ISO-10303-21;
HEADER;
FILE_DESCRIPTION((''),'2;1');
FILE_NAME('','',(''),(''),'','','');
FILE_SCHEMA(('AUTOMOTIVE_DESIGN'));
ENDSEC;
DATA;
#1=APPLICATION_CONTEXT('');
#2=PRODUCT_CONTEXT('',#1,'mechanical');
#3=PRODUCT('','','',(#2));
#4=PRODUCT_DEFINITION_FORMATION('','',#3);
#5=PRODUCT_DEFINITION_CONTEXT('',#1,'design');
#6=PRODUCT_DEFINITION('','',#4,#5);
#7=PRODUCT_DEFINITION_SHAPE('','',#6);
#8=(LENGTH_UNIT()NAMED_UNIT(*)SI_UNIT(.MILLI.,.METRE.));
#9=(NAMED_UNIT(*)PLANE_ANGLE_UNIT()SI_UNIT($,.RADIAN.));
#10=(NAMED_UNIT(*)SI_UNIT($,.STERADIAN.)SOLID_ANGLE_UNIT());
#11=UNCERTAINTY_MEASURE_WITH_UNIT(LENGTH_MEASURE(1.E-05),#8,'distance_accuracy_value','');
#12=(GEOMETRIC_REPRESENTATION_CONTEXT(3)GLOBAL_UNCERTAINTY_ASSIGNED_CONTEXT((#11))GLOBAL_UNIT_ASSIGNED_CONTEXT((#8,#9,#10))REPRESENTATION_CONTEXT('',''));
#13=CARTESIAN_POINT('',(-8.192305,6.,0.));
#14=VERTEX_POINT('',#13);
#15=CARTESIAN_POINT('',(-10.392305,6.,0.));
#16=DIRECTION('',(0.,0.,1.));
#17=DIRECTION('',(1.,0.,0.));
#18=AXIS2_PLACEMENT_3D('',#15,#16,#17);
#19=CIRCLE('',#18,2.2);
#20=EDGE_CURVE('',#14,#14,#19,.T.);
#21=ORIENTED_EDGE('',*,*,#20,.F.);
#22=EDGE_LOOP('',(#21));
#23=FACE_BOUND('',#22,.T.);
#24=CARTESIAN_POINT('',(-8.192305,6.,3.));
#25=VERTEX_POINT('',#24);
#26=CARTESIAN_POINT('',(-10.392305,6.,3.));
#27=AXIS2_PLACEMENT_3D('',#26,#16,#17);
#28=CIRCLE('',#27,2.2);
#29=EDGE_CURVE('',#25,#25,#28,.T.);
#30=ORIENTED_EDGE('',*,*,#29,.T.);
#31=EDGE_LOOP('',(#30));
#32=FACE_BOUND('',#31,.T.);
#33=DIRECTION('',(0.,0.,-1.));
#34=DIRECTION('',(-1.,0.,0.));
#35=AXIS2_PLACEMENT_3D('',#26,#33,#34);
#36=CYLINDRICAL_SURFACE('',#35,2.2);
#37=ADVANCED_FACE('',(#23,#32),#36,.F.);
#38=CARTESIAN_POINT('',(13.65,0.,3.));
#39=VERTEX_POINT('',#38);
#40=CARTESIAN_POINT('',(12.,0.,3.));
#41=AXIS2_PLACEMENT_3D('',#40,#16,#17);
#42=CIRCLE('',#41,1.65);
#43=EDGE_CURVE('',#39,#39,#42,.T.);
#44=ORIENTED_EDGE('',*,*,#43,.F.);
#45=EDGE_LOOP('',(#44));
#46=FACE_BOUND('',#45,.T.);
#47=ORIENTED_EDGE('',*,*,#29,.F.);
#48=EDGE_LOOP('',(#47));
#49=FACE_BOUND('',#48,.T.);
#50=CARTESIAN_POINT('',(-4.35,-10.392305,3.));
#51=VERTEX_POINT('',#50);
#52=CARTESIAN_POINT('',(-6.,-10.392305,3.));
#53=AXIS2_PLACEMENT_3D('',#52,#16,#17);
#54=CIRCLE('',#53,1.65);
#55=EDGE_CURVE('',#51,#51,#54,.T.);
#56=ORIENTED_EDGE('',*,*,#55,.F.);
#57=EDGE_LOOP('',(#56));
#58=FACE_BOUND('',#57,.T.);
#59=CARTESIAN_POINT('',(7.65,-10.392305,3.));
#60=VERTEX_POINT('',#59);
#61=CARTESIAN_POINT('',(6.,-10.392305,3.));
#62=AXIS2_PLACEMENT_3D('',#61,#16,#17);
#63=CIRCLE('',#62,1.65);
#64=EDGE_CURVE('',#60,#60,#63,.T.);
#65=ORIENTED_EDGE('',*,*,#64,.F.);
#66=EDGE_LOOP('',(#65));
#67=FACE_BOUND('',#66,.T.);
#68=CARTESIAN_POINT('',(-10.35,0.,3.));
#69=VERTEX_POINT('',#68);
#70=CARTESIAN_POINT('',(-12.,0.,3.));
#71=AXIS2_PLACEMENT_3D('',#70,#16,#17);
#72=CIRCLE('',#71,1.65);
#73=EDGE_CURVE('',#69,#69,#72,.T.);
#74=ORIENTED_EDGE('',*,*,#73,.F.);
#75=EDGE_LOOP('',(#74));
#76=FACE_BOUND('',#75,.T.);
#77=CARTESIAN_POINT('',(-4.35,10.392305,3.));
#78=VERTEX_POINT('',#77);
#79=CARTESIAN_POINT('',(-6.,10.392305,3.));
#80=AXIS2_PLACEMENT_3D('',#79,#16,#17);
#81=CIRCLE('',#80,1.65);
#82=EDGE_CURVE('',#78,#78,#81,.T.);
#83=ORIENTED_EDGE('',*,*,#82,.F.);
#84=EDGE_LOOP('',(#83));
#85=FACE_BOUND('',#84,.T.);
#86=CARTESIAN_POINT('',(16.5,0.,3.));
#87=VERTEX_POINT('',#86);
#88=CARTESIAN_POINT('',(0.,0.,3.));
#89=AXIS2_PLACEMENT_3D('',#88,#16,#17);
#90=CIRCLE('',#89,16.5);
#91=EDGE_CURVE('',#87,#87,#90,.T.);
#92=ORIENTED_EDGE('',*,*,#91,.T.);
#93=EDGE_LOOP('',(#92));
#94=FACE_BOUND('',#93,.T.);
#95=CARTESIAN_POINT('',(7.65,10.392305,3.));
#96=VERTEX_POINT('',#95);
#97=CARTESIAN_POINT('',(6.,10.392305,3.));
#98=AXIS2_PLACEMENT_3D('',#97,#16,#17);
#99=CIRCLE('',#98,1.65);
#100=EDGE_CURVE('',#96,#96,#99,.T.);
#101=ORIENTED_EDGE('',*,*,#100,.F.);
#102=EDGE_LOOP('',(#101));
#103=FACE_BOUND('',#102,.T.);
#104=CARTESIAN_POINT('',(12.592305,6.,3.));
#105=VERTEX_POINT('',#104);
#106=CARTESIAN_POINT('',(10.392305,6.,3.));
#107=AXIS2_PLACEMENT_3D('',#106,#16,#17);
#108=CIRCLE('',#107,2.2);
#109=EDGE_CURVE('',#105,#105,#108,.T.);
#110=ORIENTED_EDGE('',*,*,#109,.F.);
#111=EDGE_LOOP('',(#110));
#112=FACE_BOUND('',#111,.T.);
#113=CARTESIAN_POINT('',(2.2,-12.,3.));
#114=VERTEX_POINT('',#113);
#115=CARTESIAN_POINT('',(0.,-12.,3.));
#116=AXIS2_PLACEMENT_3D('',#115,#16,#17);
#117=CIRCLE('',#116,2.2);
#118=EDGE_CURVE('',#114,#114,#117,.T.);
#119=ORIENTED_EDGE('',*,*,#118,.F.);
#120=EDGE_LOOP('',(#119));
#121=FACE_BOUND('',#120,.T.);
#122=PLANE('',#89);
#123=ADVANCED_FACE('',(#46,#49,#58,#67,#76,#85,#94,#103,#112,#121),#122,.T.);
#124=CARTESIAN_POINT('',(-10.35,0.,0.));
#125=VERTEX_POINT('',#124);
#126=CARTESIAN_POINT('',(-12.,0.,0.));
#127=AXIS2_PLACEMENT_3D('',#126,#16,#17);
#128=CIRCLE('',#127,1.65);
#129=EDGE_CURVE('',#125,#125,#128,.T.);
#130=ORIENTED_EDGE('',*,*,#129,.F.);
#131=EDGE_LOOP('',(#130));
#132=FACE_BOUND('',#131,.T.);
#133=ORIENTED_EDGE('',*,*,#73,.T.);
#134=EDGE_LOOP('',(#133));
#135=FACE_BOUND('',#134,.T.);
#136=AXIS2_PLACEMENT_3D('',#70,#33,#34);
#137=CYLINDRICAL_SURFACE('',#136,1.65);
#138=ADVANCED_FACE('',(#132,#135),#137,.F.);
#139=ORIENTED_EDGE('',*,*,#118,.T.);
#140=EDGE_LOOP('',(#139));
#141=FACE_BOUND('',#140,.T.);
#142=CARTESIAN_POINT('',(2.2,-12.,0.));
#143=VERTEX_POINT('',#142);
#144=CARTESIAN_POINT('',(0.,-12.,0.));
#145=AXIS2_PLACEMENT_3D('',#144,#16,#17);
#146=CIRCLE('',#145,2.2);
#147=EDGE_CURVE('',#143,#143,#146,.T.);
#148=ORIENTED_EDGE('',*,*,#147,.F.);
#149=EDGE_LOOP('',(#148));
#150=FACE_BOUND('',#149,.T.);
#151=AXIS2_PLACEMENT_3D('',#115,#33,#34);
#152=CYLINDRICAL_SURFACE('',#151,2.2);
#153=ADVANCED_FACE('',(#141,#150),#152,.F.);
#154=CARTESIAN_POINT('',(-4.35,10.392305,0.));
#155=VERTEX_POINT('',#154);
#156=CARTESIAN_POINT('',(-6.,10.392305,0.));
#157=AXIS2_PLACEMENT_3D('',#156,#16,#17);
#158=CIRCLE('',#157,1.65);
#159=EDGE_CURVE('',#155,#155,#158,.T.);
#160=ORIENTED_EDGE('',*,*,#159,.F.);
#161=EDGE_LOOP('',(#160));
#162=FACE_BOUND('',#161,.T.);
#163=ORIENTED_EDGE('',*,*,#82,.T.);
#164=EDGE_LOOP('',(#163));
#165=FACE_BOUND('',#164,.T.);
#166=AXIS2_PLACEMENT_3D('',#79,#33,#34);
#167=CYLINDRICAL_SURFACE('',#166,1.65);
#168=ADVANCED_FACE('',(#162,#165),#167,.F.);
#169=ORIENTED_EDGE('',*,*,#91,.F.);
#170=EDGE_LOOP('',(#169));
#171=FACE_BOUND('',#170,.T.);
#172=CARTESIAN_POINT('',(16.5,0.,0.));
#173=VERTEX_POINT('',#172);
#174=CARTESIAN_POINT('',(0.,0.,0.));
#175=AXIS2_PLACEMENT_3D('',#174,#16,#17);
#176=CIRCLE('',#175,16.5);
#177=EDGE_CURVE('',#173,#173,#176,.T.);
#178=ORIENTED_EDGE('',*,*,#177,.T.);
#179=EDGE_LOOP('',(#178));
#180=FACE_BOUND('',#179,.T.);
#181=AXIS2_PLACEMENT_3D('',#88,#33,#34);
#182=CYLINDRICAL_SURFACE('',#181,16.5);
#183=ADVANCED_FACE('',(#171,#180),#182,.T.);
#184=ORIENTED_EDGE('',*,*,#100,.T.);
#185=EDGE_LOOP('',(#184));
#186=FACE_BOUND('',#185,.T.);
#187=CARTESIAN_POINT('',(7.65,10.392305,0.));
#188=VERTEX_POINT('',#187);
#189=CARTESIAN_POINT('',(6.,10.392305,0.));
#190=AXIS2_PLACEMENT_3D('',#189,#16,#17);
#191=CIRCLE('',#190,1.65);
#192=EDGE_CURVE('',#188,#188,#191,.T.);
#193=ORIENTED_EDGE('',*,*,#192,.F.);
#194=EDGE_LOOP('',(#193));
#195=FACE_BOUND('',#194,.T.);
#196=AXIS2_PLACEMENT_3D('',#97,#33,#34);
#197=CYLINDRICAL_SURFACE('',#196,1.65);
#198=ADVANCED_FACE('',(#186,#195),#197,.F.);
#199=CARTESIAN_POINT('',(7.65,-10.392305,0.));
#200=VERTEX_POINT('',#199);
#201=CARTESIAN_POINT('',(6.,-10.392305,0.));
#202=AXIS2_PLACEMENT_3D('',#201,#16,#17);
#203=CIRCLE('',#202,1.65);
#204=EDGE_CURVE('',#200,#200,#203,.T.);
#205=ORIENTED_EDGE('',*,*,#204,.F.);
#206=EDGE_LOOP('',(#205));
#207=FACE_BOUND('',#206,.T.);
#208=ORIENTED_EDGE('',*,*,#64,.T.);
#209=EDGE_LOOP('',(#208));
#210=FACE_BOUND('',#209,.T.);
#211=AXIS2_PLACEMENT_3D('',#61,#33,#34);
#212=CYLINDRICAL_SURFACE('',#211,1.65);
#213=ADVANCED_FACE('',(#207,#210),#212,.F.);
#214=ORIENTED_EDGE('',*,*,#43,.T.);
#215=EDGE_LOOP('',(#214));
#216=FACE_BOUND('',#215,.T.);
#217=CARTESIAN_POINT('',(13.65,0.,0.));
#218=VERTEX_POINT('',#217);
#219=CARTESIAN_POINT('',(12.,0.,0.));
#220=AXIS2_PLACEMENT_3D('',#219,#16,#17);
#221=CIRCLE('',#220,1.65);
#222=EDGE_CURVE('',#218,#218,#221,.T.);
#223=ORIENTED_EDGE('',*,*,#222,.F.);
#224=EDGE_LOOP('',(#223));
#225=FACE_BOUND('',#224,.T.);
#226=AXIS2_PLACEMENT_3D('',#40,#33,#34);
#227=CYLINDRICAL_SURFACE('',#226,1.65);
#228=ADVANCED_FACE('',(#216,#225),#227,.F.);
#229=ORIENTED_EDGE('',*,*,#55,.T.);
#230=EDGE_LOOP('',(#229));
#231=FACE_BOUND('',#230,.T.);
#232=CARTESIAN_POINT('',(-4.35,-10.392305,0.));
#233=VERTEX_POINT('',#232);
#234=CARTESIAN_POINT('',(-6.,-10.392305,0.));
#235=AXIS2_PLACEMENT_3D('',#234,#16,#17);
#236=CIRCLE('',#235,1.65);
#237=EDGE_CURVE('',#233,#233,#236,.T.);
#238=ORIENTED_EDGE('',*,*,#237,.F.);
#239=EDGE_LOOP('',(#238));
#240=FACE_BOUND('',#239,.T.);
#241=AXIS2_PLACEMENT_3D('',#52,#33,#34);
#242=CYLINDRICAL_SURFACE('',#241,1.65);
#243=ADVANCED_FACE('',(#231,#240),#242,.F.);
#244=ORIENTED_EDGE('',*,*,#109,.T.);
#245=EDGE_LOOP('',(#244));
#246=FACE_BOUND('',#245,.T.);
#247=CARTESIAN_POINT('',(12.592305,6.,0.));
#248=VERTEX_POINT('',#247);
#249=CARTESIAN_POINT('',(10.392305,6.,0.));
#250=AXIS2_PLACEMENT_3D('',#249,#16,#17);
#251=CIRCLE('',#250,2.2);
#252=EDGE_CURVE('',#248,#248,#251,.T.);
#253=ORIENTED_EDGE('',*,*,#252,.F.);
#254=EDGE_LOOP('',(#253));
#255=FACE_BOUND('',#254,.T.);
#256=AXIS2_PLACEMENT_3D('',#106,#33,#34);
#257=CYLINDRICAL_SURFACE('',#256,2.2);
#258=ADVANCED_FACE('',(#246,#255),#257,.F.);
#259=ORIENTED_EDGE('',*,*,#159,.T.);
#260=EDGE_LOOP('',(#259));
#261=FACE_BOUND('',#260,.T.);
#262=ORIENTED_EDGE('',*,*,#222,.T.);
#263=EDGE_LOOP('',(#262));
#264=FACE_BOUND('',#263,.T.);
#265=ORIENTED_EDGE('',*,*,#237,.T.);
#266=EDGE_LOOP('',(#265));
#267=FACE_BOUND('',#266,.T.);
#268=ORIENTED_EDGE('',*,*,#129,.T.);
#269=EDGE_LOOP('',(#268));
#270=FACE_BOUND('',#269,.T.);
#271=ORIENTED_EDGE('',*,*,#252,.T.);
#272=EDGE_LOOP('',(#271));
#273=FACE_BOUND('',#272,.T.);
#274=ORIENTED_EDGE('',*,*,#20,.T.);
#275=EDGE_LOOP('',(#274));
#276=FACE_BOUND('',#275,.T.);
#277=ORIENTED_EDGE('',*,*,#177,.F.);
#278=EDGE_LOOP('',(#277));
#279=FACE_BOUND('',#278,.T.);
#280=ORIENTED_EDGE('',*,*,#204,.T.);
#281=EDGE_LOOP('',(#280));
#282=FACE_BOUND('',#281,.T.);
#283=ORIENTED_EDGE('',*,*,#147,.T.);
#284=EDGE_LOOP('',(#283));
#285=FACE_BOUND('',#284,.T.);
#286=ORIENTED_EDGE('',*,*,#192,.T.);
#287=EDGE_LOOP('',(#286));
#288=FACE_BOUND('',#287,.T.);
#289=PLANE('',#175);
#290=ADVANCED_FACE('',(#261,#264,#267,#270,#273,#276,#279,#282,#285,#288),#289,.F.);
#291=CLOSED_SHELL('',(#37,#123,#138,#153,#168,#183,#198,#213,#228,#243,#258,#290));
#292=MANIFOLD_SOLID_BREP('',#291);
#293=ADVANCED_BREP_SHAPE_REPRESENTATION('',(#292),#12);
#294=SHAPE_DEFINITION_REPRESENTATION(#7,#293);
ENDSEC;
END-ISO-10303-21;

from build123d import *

# Parameters (mm, degrees)
SKETCH_2_R      = 16.5
SKETCH_2_R_2    = 2.2
SKETCH_2_R_3    = 1.65
EXTRUDE_1_DEPTH = 3


with BuildPart() as part:
    # 草图2 → 凸台-拉伸1 (new body)
    with BuildSketch(Plane.XY):
        Circle(SKETCH_2_R)
        with Locations((-10.392304845, 6)):
            Circle(SKETCH_2_R_2, mode=Mode.SUBTRACT)
        with Locations((-6, 10.392304845)):
            Circle(SKETCH_2_R_3, mode=Mode.SUBTRACT)
        with Locations((-12, 0)):
            Circle(SKETCH_2_R_3, mode=Mode.SUBTRACT)
        with Locations((6, 10.392304845)):
            Circle(SKETCH_2_R_3, mode=Mode.SUBTRACT)
        with Locations((10.392304845, 6)):
            Circle(SKETCH_2_R_2, mode=Mode.SUBTRACT)
        with Locations((12, 0)):
            Circle(SKETCH_2_R_3, mode=Mode.SUBTRACT)
        with Locations((6, -10.392304845)):
            Circle(SKETCH_2_R_3, mode=Mode.SUBTRACT)
        with Locations((0, -12)):
            Circle(SKETCH_2_R_2, mode=Mode.SUBTRACT)
        with Locations((-6, -10.392304845)):
            Circle(SKETCH_2_R_3, mode=Mode.SUBTRACT)
    extrude(amount=EXTRUDE_1_DEPTH)


solid = part.part
